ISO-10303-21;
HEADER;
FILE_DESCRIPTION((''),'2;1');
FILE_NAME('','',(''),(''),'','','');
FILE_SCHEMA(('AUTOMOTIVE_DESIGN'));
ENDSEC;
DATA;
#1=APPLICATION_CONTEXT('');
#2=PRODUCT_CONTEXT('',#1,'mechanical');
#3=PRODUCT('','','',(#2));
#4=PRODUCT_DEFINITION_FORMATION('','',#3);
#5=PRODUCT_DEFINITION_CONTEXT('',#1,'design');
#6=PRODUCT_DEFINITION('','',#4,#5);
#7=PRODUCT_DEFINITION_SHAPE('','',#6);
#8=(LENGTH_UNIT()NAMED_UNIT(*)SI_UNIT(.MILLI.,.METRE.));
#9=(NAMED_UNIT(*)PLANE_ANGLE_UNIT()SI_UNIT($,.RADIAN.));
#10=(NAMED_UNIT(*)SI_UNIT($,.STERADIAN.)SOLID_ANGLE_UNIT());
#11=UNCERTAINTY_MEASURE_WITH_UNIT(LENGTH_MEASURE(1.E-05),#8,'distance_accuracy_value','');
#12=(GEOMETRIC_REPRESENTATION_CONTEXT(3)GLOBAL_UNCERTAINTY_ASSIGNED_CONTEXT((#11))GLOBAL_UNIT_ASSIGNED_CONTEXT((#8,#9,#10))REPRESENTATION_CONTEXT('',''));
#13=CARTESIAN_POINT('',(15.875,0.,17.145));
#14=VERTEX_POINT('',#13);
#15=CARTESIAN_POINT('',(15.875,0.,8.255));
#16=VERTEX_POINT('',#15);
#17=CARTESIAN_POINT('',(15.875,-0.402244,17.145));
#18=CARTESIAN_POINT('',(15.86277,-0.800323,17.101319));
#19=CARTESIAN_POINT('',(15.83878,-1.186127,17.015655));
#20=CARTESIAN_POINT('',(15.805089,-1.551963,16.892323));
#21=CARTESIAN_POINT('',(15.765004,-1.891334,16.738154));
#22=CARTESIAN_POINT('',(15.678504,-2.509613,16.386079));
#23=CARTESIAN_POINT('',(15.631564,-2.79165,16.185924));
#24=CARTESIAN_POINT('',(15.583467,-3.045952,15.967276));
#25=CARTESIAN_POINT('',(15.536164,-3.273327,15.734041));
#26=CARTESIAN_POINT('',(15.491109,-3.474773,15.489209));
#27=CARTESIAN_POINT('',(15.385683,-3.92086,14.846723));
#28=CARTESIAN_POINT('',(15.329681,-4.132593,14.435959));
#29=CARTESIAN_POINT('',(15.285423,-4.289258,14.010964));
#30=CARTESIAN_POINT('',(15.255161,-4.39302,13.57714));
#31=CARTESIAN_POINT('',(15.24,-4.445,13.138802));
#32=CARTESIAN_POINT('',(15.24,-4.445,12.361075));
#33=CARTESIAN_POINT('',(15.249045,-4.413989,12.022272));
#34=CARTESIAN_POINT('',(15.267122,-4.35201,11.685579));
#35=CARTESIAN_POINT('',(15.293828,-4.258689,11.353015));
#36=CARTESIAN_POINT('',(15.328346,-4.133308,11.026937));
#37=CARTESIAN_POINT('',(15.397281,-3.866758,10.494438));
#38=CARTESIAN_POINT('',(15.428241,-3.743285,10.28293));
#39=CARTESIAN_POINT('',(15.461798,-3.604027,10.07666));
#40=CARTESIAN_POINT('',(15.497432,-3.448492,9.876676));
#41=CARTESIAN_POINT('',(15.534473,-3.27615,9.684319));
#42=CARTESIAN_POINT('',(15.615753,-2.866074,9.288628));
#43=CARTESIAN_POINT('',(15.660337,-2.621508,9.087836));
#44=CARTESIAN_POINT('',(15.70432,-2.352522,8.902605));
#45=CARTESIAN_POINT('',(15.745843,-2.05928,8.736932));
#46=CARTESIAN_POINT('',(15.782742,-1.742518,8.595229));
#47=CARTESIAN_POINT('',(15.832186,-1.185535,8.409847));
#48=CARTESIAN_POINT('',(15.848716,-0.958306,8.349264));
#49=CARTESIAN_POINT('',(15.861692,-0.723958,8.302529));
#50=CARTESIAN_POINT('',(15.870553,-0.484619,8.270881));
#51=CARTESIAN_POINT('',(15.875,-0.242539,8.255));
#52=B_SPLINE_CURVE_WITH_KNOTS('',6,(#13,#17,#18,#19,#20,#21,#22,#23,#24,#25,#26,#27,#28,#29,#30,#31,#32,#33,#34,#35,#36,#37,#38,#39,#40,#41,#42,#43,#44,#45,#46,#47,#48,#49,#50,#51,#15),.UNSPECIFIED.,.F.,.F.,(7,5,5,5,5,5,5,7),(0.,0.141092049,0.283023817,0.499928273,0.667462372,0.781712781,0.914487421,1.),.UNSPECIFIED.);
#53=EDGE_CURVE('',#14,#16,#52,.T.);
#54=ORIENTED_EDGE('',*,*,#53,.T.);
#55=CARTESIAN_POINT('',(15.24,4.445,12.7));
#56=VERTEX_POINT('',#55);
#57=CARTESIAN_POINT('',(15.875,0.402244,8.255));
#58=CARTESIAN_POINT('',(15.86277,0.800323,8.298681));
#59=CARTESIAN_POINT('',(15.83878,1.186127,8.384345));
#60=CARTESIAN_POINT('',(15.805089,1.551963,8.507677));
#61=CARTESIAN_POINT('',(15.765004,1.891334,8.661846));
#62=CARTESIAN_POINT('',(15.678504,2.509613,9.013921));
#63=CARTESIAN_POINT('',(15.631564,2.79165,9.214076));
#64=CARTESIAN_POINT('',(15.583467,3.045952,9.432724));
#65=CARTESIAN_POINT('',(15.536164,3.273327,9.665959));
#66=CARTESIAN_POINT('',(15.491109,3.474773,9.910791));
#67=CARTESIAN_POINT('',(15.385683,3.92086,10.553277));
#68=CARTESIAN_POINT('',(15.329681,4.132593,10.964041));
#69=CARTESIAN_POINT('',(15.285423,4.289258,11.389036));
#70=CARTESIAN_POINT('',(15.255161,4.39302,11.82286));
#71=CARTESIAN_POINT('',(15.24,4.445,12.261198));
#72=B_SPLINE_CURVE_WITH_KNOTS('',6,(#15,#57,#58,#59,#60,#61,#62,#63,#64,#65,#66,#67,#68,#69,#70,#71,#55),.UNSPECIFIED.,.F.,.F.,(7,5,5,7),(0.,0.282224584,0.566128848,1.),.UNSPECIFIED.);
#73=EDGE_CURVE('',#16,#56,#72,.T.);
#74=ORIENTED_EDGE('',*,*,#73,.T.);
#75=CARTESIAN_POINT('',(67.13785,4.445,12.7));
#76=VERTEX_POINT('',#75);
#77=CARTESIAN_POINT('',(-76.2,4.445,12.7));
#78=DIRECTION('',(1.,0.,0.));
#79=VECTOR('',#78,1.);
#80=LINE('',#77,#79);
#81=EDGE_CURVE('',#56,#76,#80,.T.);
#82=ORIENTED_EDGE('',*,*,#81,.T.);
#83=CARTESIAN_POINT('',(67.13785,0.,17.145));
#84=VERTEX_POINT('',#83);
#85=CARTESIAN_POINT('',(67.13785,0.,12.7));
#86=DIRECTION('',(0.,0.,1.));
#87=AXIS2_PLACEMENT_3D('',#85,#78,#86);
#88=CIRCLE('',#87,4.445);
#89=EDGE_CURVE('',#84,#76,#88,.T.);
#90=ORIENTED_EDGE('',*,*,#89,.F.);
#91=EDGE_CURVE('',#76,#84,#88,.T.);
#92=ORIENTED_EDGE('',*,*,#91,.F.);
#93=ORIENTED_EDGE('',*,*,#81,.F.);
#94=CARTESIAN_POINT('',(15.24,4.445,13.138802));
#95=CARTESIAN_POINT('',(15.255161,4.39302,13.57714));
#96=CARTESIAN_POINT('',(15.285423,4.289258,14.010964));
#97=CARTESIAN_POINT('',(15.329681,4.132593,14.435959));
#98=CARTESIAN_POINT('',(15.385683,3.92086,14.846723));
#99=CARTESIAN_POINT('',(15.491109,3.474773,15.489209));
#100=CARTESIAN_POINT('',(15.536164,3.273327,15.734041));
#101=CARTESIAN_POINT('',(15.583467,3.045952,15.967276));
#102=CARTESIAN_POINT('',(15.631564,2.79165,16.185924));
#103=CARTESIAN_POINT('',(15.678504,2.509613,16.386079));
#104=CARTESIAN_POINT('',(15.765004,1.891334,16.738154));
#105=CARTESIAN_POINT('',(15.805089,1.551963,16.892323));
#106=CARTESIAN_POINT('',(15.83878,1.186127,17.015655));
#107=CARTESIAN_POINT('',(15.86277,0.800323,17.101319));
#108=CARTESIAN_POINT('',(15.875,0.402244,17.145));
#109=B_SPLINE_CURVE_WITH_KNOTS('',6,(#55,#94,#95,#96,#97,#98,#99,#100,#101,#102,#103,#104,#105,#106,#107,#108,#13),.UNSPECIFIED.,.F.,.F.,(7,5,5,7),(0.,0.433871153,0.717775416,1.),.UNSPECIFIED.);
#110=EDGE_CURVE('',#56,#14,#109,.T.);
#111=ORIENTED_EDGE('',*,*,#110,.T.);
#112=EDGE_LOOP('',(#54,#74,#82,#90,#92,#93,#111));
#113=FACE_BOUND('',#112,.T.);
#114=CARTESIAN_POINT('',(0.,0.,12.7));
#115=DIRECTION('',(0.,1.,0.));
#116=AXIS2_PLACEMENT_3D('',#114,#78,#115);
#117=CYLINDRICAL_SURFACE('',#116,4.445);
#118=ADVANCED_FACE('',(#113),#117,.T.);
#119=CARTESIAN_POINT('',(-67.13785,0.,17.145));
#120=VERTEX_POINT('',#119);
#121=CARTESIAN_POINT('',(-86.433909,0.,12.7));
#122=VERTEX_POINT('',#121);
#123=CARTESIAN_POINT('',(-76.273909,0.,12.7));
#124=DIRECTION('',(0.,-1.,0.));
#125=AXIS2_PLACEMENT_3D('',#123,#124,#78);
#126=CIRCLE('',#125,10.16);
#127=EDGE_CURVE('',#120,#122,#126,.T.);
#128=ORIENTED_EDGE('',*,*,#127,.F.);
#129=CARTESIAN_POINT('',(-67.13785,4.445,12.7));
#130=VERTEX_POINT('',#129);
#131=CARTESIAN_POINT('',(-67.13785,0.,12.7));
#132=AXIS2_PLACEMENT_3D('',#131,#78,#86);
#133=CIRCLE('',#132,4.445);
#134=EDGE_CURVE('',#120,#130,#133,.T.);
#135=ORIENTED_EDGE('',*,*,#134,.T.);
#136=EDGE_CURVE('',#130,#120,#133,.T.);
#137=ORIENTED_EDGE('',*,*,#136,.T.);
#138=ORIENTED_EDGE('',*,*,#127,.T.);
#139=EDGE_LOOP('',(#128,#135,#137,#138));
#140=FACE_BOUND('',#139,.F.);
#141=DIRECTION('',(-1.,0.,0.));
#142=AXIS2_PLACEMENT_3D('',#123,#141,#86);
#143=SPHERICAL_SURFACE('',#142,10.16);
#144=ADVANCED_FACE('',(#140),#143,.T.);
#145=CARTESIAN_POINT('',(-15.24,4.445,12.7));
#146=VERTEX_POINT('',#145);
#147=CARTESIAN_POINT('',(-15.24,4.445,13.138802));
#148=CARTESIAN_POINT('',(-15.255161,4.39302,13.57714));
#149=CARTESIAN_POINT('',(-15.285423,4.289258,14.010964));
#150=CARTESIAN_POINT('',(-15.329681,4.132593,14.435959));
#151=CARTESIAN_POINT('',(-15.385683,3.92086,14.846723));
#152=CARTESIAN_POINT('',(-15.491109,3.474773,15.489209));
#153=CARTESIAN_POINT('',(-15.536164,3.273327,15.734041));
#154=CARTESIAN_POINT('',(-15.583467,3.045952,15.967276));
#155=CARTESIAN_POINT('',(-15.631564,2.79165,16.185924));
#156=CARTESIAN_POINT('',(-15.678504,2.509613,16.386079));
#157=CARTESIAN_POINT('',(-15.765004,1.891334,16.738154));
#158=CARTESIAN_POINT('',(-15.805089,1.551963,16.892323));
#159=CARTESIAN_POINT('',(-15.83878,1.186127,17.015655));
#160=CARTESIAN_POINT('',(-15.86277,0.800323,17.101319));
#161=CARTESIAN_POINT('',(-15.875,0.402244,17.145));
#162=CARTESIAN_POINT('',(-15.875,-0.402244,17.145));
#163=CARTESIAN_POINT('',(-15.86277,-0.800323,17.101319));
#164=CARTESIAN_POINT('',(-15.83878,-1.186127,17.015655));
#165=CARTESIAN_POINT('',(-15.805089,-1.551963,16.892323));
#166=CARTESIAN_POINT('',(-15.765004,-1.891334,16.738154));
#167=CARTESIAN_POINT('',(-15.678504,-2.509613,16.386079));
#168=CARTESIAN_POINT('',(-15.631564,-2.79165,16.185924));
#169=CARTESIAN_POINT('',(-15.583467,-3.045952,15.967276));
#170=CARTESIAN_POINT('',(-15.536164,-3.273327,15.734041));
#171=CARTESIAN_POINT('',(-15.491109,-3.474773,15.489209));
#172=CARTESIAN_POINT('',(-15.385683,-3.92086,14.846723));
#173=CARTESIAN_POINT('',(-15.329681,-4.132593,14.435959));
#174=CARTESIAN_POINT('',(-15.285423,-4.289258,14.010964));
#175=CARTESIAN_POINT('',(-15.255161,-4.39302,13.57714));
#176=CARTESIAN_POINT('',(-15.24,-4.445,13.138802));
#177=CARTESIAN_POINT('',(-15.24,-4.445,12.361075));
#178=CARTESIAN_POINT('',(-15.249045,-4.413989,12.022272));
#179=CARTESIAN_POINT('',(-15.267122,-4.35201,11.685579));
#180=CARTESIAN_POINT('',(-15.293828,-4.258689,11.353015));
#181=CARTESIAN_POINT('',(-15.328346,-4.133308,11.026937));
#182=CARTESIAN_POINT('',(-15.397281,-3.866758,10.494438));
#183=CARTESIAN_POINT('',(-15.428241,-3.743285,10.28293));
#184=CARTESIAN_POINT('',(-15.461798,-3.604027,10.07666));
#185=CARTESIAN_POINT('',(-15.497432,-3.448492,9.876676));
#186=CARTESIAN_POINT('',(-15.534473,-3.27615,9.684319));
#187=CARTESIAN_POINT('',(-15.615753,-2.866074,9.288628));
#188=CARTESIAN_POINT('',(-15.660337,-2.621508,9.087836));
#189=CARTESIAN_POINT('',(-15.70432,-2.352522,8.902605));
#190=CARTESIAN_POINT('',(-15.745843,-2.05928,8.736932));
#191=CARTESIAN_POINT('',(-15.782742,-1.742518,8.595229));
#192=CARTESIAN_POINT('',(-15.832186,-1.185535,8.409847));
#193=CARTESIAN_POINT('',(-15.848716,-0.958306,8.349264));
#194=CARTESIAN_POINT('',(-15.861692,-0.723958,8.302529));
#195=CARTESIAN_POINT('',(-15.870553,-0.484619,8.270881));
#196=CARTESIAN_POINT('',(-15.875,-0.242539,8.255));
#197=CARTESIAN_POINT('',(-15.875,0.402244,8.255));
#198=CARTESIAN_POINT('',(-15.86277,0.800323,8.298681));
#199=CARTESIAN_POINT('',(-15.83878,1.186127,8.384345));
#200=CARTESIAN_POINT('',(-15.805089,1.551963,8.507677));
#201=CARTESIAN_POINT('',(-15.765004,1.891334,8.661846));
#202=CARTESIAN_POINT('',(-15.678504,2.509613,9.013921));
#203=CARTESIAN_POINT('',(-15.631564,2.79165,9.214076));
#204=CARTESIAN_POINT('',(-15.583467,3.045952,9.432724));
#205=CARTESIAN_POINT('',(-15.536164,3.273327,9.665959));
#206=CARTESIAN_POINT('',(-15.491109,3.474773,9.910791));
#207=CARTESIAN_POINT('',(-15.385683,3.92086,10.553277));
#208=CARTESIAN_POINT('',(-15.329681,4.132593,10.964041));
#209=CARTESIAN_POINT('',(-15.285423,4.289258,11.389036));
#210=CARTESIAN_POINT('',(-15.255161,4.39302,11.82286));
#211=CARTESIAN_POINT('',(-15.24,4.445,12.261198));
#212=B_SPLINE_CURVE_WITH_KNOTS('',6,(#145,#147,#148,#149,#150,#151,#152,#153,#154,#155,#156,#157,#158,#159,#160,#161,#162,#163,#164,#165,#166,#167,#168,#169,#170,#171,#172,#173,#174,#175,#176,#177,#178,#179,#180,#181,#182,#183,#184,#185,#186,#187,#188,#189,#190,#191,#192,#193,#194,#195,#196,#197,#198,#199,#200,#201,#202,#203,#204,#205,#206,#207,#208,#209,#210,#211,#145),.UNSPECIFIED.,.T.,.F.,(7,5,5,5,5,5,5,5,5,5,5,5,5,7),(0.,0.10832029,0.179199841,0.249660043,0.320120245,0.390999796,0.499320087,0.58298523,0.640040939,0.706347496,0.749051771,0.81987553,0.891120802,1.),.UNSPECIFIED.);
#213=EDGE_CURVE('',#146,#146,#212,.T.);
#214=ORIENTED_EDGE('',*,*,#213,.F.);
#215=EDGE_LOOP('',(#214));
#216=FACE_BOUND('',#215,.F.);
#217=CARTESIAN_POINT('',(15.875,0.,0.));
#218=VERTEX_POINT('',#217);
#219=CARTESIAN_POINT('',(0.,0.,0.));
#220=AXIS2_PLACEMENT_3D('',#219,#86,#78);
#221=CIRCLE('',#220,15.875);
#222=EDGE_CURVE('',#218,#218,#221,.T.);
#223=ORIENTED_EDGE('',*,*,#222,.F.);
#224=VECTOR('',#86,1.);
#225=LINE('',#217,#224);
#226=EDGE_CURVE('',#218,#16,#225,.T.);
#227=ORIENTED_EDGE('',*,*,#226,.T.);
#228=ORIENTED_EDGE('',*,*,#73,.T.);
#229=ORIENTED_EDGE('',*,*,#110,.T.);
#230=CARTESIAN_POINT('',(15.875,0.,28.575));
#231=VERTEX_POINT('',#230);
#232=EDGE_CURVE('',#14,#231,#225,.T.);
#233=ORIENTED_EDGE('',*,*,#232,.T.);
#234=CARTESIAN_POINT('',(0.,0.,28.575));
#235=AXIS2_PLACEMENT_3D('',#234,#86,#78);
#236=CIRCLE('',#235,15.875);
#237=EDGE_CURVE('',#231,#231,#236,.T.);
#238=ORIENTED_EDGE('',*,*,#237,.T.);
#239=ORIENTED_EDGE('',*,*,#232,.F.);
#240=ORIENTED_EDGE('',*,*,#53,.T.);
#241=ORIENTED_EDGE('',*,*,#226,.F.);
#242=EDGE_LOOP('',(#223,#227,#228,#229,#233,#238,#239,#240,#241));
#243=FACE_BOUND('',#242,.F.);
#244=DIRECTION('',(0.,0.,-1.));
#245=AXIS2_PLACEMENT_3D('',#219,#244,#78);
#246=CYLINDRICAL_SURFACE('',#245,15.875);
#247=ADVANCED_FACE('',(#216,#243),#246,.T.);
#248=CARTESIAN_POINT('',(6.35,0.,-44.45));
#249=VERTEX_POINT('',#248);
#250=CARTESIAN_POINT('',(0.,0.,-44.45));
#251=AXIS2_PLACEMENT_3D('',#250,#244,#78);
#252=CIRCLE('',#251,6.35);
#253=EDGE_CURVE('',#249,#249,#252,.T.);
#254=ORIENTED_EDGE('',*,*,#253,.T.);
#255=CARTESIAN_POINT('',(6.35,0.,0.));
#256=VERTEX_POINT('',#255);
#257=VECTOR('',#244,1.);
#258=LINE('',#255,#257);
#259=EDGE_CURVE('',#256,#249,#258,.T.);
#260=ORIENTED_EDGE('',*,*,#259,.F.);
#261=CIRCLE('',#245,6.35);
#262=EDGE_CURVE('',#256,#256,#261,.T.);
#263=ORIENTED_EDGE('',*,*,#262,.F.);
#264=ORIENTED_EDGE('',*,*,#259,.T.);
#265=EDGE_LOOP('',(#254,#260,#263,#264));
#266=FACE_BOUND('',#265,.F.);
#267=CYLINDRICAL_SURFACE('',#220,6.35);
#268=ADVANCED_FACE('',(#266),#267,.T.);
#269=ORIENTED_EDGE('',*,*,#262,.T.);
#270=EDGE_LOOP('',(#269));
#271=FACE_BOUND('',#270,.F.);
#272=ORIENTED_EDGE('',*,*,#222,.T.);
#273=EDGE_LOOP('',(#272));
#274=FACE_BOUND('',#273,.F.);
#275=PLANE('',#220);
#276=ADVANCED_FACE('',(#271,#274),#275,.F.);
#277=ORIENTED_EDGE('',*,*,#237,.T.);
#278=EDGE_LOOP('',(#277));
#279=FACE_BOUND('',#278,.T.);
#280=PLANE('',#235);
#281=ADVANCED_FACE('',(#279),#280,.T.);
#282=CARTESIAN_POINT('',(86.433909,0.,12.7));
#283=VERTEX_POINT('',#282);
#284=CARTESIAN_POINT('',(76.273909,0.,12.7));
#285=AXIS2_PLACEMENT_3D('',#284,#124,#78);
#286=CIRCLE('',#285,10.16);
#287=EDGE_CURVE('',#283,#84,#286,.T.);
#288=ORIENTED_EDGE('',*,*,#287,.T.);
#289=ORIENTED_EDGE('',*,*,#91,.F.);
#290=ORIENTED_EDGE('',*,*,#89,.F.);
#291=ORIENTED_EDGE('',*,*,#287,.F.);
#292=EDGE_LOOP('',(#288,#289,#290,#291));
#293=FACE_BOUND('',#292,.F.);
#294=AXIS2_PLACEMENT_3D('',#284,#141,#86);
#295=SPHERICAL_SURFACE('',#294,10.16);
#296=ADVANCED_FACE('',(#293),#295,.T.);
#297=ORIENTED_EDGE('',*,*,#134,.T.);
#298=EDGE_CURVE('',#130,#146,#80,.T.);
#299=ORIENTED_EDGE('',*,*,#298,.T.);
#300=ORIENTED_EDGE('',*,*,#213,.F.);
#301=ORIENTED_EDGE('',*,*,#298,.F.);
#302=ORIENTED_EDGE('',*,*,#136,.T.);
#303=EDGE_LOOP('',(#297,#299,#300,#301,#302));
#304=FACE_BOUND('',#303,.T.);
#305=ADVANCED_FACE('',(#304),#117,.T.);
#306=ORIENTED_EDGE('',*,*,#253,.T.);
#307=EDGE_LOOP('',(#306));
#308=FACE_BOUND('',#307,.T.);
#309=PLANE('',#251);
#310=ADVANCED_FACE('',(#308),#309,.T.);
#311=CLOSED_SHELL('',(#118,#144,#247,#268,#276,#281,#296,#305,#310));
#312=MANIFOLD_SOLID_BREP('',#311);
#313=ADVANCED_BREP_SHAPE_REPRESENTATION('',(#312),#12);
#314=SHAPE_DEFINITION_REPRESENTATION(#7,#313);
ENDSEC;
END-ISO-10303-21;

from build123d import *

# Parameters (mm, degrees)
F0_R     = 15.875
F1_DEPTH = 28.575
F2_R     = 6.35
F3_DEPTH = 44.45
F4_R     = 4.445
F5_DEPTH = 76.2


with BuildPart() as f1:
    # F0 (on Top) → F1 (new body)
    with BuildSketch(Plane.XY):
        Circle(F0_R)
    extrude(amount=F1_DEPTH)

    # F2 (on face) → F3 (join)
    with BuildSketch(Plane(origin=(0, 0, 0), x_dir=(1, 0, 0), z_dir=(0, 0, -1))):
        Circle(F2_R)
    extrude(amount=F3_DEPTH)

    # F4 (on Right) → F5 (join, symmetric)
    with BuildSketch(Plane.YZ):
        with Locations((0, 12.7)):
            Circle(F4_R)
    extrude(amount=F5_DEPTH, both=True)

    # F6 (on Front) → F7 (revolve)
    with BuildSketch(Plane.XZ):
        with BuildLine():
            Line((-86.433909, 12.7), (-66.113909, 12.7))
            ThreePointArc((-66.113909, 12.7), (-76.273909, 22.86), (-86.433909, 12.7))
        make_face()
        with BuildLine():
            ThreePointArc((86.433909, 12.7), (76.273909, 22.86), (66.113909, 12.7))
            Line((66.113909, 12.7), (86.433909, 12.7))
        make_face()
    revolve(axis=Axis((-66.812286, 0, 12.7), (1, 0, 0)))


solid = f1.part
